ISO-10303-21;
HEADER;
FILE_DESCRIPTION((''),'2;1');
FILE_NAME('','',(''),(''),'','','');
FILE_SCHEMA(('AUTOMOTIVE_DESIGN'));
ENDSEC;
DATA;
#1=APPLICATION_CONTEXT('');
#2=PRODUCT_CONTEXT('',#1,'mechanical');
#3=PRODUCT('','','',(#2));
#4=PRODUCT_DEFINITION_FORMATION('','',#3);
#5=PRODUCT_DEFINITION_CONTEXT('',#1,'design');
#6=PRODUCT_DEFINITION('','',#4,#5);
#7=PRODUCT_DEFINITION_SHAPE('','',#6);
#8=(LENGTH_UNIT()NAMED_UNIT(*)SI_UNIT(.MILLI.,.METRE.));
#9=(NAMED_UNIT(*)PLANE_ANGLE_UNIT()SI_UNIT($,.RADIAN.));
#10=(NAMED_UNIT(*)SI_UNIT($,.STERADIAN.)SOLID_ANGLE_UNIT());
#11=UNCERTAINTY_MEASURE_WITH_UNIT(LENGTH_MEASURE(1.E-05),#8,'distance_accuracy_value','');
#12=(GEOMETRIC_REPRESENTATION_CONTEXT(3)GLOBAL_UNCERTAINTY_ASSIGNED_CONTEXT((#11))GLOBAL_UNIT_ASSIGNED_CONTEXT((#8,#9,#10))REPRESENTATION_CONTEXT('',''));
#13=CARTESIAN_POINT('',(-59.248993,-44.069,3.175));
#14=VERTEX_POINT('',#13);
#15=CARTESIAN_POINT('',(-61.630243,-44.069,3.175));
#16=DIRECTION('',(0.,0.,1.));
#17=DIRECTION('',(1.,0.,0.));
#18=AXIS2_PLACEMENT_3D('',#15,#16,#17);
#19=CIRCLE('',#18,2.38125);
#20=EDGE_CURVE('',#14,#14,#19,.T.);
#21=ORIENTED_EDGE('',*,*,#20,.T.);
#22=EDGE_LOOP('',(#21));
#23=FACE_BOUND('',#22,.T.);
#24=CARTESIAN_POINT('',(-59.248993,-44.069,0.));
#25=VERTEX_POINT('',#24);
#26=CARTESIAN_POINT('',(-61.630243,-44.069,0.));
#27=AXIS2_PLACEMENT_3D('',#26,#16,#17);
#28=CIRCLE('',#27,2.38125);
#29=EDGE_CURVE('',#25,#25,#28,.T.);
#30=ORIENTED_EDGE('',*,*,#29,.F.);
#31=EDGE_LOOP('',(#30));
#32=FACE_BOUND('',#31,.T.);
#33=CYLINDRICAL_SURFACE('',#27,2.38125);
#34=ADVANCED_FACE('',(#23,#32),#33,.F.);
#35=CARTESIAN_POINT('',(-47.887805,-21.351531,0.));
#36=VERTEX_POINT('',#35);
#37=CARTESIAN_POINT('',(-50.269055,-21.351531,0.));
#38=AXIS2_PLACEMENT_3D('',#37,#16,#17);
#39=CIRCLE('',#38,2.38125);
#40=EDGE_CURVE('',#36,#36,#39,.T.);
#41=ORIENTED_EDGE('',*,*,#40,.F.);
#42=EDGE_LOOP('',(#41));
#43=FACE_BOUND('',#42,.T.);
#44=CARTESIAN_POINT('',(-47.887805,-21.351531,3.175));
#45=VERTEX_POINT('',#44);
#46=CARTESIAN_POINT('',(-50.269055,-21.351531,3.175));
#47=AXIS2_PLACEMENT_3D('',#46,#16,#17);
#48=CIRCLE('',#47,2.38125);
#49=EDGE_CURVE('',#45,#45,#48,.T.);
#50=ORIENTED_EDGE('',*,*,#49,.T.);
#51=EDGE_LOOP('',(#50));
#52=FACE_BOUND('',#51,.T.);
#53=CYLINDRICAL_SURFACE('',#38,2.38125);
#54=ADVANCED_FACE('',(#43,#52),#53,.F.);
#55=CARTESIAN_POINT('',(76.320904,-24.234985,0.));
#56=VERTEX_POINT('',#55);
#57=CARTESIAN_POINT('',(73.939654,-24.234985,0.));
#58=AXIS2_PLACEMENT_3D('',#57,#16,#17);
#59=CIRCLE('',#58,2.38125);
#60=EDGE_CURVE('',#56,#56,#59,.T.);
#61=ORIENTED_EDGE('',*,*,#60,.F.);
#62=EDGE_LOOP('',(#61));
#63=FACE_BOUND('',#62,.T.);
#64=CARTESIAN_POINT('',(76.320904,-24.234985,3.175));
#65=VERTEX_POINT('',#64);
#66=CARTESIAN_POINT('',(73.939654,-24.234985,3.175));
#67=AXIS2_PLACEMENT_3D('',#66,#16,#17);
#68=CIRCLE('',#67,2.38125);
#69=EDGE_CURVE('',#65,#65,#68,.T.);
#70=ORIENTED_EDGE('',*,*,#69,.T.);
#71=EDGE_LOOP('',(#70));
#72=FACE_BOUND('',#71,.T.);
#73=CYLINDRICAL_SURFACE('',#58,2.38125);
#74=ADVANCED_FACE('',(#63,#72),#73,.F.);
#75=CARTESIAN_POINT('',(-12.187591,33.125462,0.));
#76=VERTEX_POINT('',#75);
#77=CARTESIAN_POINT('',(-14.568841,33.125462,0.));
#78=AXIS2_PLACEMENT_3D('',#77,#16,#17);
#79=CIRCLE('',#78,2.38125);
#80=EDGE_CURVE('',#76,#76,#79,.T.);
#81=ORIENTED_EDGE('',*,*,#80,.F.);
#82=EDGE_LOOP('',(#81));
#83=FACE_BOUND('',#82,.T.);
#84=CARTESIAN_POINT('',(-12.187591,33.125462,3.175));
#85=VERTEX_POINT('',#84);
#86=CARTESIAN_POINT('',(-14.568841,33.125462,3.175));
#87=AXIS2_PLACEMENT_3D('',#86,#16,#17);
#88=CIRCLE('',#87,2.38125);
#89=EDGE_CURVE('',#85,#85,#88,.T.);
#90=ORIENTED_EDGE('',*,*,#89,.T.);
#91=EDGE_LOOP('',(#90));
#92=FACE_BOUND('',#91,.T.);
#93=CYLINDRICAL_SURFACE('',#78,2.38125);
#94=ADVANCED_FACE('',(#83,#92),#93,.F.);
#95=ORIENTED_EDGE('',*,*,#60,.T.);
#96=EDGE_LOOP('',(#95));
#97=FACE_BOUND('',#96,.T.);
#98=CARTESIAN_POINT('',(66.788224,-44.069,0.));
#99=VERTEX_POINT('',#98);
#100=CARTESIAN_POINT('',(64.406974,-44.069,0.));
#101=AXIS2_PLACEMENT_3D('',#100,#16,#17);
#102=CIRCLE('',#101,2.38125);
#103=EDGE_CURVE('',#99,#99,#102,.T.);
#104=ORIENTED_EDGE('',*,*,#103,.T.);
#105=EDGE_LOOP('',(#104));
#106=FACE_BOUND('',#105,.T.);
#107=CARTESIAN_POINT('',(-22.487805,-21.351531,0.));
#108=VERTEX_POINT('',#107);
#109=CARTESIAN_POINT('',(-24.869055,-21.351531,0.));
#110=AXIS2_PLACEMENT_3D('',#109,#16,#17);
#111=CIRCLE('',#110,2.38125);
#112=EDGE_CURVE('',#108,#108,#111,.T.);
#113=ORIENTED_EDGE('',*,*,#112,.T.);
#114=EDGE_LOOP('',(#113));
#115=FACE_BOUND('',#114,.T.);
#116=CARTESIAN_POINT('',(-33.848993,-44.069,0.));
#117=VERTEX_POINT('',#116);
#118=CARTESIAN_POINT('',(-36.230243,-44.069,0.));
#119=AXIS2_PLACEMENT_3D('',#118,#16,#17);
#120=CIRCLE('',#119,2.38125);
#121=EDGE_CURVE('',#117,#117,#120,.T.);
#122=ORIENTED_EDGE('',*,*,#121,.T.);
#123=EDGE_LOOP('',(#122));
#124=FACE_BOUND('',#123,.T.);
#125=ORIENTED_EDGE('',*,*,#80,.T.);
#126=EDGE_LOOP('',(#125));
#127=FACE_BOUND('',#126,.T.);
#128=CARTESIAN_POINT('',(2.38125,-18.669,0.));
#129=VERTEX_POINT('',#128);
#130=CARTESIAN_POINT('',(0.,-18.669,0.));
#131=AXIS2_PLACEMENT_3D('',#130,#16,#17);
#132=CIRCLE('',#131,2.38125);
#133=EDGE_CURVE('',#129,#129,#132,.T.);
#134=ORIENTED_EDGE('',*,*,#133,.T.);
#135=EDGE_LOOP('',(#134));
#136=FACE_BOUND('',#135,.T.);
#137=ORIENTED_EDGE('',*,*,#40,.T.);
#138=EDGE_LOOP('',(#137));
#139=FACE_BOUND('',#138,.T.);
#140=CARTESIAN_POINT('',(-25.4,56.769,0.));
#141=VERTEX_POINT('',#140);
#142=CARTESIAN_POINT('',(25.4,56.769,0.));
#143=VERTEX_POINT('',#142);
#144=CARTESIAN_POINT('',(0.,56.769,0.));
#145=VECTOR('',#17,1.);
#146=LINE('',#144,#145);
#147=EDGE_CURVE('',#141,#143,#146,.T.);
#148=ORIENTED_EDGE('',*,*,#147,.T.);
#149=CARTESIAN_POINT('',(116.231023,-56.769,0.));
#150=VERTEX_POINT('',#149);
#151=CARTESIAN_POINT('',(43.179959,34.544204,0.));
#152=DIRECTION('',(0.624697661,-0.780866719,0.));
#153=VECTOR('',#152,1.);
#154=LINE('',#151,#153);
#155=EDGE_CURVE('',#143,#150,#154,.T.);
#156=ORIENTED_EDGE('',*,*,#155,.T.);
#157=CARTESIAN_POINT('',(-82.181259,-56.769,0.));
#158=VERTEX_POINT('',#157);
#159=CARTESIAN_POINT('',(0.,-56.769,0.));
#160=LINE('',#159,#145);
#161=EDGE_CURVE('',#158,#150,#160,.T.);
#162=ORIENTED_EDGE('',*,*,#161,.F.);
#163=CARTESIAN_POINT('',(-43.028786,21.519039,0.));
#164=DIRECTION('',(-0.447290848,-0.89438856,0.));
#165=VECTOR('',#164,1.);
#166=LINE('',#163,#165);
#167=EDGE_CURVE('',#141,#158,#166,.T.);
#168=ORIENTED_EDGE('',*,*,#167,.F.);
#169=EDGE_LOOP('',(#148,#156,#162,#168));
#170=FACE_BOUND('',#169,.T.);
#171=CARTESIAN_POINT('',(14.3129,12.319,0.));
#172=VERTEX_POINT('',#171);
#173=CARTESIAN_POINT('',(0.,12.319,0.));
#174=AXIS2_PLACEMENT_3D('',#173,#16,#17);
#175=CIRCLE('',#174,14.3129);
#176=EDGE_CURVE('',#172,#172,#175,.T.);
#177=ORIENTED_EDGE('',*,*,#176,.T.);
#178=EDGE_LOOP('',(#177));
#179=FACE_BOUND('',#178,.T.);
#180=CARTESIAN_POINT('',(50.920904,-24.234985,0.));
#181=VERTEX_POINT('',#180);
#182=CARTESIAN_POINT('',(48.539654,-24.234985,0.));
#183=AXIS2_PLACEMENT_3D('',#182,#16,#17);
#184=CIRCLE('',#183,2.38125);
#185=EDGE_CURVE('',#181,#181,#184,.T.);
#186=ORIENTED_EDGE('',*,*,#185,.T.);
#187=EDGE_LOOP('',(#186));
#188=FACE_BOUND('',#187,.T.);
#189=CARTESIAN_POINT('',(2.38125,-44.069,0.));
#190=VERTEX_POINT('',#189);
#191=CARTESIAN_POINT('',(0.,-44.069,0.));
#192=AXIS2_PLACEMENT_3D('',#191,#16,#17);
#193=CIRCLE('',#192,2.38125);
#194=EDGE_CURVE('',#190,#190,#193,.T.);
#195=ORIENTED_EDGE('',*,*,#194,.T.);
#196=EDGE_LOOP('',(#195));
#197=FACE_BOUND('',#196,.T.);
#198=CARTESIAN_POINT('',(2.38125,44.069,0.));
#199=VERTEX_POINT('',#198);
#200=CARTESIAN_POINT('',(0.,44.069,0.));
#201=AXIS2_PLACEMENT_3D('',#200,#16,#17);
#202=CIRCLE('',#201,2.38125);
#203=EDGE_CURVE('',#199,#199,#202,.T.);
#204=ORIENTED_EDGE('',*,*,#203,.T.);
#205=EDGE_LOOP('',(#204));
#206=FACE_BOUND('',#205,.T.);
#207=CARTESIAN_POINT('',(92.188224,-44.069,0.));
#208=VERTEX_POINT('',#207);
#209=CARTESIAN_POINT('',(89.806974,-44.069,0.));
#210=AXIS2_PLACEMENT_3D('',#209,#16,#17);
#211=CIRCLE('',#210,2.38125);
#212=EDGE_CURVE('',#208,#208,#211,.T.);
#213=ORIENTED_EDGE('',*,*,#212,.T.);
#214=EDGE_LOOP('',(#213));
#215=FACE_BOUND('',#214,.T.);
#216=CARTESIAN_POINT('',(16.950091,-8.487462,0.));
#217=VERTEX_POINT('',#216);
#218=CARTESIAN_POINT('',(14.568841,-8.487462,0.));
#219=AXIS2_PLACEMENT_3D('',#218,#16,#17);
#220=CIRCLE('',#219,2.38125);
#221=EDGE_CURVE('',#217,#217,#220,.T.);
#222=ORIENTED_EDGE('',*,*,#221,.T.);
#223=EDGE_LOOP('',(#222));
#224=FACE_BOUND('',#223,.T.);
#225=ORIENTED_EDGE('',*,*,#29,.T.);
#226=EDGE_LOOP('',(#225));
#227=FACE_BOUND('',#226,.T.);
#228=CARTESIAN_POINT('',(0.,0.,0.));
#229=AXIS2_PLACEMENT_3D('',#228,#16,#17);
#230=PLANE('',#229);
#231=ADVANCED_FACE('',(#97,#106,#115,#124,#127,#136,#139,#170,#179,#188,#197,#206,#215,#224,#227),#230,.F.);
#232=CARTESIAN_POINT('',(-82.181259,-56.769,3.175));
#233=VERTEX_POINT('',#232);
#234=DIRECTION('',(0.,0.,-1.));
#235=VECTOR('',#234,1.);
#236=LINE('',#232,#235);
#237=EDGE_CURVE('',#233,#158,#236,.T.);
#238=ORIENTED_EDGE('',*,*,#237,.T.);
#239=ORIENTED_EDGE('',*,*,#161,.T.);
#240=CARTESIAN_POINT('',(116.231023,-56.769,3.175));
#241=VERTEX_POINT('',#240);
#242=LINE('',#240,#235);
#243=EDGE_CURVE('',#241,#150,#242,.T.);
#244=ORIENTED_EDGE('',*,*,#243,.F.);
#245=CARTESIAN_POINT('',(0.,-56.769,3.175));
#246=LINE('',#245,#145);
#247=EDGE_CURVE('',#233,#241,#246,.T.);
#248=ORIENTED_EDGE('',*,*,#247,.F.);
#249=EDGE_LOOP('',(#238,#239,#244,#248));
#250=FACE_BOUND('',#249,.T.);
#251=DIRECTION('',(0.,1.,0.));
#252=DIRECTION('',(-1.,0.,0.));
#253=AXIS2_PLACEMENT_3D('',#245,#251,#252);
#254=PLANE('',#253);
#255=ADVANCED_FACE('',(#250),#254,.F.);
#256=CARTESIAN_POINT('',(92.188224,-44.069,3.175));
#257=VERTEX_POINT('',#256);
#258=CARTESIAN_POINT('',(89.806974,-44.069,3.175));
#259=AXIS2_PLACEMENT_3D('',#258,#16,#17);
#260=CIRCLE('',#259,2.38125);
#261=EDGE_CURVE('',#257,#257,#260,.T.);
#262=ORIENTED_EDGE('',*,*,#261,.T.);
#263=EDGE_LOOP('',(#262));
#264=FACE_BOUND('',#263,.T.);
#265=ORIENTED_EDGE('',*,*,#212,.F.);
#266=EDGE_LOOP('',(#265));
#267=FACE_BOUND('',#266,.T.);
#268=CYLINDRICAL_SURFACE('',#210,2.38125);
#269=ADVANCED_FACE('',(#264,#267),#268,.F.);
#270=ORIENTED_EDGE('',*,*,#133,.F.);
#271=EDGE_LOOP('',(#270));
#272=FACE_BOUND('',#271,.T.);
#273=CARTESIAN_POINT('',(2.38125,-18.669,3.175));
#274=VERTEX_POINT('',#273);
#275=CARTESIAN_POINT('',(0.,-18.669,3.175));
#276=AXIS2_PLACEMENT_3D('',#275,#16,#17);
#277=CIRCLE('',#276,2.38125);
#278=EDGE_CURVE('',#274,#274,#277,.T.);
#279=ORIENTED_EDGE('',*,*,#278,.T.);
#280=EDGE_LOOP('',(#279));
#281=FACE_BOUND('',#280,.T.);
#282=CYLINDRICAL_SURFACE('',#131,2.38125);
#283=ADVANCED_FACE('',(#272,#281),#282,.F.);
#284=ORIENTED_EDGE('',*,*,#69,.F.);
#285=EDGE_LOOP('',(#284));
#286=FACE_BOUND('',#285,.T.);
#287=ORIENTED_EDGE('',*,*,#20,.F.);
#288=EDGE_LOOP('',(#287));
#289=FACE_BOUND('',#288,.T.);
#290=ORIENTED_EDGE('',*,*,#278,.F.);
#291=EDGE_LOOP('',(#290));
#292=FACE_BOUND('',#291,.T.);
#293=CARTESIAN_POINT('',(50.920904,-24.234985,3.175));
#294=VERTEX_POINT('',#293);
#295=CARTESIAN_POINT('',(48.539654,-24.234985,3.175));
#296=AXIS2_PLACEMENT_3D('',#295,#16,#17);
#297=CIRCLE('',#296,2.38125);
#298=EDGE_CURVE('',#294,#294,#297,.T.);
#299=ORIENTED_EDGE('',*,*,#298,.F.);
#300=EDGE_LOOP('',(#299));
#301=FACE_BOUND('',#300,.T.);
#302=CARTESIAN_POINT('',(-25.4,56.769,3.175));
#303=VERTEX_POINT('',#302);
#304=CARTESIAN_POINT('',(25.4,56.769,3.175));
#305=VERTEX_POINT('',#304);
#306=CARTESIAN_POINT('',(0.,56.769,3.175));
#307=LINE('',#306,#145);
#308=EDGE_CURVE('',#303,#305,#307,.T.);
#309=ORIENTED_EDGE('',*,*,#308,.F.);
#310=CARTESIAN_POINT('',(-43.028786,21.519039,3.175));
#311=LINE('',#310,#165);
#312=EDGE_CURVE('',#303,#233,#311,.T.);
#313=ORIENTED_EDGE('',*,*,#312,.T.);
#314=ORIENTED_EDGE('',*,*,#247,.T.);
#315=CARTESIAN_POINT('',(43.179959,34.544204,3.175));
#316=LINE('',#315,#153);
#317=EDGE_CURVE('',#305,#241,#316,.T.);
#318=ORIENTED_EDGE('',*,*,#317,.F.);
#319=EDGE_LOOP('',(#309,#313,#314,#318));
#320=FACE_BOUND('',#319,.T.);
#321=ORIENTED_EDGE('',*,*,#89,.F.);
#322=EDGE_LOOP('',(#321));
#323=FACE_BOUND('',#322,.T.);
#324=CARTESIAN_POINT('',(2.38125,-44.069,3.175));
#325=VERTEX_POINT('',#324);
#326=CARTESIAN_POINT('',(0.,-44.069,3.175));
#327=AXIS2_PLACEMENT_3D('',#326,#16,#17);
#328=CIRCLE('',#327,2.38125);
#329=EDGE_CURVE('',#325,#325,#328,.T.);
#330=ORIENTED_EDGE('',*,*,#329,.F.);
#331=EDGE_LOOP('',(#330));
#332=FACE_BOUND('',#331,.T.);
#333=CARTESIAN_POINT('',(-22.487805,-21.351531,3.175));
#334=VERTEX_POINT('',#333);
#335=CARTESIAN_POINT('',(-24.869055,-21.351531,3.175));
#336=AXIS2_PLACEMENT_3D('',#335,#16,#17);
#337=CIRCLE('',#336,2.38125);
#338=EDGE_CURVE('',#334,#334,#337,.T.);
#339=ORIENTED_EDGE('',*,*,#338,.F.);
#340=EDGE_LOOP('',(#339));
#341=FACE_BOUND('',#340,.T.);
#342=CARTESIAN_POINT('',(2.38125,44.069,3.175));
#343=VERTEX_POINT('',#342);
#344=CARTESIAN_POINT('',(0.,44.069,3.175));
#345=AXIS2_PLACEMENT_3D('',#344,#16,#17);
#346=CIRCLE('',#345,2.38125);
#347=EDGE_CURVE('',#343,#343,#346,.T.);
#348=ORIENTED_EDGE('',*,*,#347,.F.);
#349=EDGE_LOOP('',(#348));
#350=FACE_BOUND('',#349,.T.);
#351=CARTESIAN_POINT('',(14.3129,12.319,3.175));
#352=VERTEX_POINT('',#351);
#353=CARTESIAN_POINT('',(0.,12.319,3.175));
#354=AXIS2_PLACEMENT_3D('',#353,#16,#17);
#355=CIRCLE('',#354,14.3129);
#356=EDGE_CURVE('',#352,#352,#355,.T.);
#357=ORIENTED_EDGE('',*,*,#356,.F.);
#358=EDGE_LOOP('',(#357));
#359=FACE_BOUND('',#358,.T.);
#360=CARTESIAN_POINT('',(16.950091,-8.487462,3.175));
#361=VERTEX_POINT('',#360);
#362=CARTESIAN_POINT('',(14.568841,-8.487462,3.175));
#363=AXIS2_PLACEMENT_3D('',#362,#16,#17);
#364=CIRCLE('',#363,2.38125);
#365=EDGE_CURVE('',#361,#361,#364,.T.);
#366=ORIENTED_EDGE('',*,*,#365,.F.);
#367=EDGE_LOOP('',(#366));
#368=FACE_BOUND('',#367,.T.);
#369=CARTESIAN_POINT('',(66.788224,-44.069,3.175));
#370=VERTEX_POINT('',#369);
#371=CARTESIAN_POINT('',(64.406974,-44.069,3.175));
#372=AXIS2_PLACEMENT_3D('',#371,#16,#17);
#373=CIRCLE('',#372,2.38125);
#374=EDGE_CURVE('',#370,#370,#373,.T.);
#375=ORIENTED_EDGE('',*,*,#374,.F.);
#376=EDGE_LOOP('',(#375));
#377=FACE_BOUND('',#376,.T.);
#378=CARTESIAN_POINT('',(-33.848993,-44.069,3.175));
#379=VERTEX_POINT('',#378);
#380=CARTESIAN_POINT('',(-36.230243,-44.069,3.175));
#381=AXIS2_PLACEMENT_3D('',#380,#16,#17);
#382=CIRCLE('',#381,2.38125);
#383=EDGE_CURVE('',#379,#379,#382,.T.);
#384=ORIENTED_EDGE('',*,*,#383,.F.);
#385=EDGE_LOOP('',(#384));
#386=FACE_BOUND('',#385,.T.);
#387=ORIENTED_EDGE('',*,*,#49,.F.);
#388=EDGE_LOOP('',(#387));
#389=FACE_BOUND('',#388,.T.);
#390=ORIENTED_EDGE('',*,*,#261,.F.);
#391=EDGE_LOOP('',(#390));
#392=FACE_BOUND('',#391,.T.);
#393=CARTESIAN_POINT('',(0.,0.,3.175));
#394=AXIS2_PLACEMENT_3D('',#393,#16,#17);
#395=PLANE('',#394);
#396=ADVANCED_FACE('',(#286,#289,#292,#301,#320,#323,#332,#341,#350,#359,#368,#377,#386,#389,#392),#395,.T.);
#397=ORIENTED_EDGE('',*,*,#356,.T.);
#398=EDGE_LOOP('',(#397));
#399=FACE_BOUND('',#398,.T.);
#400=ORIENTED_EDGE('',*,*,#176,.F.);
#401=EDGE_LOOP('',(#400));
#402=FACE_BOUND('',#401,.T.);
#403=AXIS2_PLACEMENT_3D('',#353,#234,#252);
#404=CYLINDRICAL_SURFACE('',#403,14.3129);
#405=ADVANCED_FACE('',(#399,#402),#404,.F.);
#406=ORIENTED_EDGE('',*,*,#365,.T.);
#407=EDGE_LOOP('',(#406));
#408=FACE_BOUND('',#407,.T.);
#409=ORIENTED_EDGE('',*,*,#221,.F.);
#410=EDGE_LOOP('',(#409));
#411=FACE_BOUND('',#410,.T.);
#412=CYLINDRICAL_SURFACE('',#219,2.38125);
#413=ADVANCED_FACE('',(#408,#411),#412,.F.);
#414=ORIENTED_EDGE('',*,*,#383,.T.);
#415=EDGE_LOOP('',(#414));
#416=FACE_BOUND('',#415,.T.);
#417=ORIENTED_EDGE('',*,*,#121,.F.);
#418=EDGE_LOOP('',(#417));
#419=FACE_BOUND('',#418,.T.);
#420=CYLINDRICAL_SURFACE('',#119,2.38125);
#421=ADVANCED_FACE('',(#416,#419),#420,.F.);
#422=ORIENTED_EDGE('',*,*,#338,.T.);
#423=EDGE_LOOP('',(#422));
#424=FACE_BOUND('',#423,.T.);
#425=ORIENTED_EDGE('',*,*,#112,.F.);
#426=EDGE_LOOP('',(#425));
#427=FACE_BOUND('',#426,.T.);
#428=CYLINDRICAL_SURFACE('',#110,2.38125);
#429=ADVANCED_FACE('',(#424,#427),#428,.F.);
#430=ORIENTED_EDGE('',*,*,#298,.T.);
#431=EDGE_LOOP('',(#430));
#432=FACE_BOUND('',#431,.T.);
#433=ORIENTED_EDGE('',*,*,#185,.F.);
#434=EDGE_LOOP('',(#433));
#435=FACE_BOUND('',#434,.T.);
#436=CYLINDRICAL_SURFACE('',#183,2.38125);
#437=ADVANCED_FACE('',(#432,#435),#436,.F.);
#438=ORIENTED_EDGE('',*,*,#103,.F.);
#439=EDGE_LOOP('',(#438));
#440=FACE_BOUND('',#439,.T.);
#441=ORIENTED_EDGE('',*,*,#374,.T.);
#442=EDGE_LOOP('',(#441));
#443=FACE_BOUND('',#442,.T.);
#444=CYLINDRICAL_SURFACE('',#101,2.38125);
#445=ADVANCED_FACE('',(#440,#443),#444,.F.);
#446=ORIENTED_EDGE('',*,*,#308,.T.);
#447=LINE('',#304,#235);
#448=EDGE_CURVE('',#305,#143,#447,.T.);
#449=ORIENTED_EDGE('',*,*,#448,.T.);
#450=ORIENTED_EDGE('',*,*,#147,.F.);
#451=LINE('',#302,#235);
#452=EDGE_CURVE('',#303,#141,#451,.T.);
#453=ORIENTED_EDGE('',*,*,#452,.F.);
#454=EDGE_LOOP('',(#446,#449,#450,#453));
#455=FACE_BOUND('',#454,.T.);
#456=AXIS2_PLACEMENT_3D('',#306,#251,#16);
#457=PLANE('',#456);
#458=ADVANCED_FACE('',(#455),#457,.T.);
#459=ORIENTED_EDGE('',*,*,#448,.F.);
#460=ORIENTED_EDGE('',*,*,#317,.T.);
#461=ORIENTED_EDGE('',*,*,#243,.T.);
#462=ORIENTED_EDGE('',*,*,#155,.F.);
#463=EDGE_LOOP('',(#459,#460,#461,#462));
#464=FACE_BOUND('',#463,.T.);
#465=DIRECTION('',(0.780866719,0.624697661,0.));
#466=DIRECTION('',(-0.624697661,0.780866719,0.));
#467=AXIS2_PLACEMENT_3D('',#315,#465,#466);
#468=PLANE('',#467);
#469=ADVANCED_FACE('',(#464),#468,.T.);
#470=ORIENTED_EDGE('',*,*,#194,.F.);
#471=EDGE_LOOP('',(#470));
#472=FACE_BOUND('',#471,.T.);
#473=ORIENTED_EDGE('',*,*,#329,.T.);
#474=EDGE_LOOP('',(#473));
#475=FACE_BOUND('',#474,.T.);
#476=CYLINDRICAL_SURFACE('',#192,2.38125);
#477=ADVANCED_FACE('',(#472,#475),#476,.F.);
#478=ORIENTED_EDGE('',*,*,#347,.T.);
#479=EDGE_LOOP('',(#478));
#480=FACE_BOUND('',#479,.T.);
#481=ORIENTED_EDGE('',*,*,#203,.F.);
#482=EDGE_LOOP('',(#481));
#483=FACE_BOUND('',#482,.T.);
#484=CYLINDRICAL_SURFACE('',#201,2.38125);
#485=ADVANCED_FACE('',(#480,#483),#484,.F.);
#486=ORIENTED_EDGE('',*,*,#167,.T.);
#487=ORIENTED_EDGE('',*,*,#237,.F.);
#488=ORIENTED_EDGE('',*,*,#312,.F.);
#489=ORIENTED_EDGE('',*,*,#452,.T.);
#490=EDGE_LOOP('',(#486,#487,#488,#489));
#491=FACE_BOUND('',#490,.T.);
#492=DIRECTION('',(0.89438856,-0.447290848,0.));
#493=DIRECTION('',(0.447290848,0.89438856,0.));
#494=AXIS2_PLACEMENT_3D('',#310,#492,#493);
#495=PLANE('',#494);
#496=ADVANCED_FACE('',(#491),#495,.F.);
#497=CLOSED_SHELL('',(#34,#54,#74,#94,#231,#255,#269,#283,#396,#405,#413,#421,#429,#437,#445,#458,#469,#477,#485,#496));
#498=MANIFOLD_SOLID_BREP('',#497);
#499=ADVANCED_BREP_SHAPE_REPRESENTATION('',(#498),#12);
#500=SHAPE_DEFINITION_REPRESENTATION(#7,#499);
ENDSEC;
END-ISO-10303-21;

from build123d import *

# Parameters (mm, degrees)
SKETCH1_W           = 50.8
SKETCH1_H           = 113.538
SKETCH1_R           = 14.3129
BOSS_EXTRUDE1_DEPTH = 3.175
SKETCH2_R           = 2.38125
CUT_EXTRUDE1_DEPTH  = 130.392622385
SKETCH3_R           = 2.38125
CUT_EXTRUDE2_DEPTH  = 130.392622385
SKETCH4_R           = 2.38125
CUT_EXTRUDE3_DEPTH  = 130.392622385


with BuildPart() as part:
    # Sketch1 → Boss-Extrude1 (new body)
    # profile 1 of 3: a face of its own
    with BuildSketch(Plane.XY):
        Polygon((-25.4, 56.769), (-82.181258838, -56.769), (-25.4, -56.769), align=None)
    # profile 2 of 3: a face of its own
    with BuildSketch(Plane.XY):
        Rectangle(SKETCH1_W, SKETCH1_H)
        with Locations((0, 12.319)):
            Circle(SKETCH1_R, mode=Mode.SUBTRACT)
    # profile 3 of 3: a face of its own
    with BuildSketch(Plane.XY):
        Polygon((116.231023146, -56.769), (25.4, -56.769), (25.4, 56.769), align=None)
    extrude(amount=BOSS_EXTRUDE1_DEPTH)

    # Sketch2 → Cut-Extrude1 (cut, through all)
    with BuildSketch(Plane.XY.offset(3.175)):
        with Locations((-61.630242658, -44.069)):
            Circle(SKETCH2_R)
        with Locations((-36.230242658, -44.069)):
            Circle(SKETCH2_R)
        with Locations((-50.269055108, -21.351530567)):
            Circle(SKETCH2_R)
        with Locations((-24.869055108, -21.351530567)):
            Circle(SKETCH2_R)
        with Locations((64.406974336, -44.069)):
            Circle(SKETCH2_R)
        with Locations((89.806974336, -44.069)):
            Circle(SKETCH2_R)
        with Locations((48.539653752, -24.234985342)):
            Circle(SKETCH2_R)
        with Locations((73.939653752, -24.234985342)):
            Circle(SKETCH2_R)
    extrude(amount=-CUT_EXTRUDE1_DEPTH, mode=Mode.SUBTRACT)

    # Sketch3 → Cut-Extrude2 (cut, through all)
    with BuildSketch(Plane.XY.offset(3.175)):
        with Locations((0, 44.069)):
            Circle(SKETCH3_R)
        with Locations((0, -18.669)):
            Circle(SKETCH3_R)
        with Locations((0, -44.069)):
            Circle(SKETCH3_R)
    extrude(amount=-CUT_EXTRUDE2_DEPTH, mode=Mode.SUBTRACT)

    # Sketch4 → Cut-Extrude3 (cut, through all)
    with BuildSketch(Plane.XY.offset(3.175)):
        with Locations((-14.568841483, 33.125461925)):
            Circle(SKETCH4_R)
        with Locations((14.568841483, -8.487461925)):
            Circle(SKETCH4_R)
    extrude(amount=-CUT_EXTRUDE3_DEPTH, mode=Mode.SUBTRACT)


solid = part.part
